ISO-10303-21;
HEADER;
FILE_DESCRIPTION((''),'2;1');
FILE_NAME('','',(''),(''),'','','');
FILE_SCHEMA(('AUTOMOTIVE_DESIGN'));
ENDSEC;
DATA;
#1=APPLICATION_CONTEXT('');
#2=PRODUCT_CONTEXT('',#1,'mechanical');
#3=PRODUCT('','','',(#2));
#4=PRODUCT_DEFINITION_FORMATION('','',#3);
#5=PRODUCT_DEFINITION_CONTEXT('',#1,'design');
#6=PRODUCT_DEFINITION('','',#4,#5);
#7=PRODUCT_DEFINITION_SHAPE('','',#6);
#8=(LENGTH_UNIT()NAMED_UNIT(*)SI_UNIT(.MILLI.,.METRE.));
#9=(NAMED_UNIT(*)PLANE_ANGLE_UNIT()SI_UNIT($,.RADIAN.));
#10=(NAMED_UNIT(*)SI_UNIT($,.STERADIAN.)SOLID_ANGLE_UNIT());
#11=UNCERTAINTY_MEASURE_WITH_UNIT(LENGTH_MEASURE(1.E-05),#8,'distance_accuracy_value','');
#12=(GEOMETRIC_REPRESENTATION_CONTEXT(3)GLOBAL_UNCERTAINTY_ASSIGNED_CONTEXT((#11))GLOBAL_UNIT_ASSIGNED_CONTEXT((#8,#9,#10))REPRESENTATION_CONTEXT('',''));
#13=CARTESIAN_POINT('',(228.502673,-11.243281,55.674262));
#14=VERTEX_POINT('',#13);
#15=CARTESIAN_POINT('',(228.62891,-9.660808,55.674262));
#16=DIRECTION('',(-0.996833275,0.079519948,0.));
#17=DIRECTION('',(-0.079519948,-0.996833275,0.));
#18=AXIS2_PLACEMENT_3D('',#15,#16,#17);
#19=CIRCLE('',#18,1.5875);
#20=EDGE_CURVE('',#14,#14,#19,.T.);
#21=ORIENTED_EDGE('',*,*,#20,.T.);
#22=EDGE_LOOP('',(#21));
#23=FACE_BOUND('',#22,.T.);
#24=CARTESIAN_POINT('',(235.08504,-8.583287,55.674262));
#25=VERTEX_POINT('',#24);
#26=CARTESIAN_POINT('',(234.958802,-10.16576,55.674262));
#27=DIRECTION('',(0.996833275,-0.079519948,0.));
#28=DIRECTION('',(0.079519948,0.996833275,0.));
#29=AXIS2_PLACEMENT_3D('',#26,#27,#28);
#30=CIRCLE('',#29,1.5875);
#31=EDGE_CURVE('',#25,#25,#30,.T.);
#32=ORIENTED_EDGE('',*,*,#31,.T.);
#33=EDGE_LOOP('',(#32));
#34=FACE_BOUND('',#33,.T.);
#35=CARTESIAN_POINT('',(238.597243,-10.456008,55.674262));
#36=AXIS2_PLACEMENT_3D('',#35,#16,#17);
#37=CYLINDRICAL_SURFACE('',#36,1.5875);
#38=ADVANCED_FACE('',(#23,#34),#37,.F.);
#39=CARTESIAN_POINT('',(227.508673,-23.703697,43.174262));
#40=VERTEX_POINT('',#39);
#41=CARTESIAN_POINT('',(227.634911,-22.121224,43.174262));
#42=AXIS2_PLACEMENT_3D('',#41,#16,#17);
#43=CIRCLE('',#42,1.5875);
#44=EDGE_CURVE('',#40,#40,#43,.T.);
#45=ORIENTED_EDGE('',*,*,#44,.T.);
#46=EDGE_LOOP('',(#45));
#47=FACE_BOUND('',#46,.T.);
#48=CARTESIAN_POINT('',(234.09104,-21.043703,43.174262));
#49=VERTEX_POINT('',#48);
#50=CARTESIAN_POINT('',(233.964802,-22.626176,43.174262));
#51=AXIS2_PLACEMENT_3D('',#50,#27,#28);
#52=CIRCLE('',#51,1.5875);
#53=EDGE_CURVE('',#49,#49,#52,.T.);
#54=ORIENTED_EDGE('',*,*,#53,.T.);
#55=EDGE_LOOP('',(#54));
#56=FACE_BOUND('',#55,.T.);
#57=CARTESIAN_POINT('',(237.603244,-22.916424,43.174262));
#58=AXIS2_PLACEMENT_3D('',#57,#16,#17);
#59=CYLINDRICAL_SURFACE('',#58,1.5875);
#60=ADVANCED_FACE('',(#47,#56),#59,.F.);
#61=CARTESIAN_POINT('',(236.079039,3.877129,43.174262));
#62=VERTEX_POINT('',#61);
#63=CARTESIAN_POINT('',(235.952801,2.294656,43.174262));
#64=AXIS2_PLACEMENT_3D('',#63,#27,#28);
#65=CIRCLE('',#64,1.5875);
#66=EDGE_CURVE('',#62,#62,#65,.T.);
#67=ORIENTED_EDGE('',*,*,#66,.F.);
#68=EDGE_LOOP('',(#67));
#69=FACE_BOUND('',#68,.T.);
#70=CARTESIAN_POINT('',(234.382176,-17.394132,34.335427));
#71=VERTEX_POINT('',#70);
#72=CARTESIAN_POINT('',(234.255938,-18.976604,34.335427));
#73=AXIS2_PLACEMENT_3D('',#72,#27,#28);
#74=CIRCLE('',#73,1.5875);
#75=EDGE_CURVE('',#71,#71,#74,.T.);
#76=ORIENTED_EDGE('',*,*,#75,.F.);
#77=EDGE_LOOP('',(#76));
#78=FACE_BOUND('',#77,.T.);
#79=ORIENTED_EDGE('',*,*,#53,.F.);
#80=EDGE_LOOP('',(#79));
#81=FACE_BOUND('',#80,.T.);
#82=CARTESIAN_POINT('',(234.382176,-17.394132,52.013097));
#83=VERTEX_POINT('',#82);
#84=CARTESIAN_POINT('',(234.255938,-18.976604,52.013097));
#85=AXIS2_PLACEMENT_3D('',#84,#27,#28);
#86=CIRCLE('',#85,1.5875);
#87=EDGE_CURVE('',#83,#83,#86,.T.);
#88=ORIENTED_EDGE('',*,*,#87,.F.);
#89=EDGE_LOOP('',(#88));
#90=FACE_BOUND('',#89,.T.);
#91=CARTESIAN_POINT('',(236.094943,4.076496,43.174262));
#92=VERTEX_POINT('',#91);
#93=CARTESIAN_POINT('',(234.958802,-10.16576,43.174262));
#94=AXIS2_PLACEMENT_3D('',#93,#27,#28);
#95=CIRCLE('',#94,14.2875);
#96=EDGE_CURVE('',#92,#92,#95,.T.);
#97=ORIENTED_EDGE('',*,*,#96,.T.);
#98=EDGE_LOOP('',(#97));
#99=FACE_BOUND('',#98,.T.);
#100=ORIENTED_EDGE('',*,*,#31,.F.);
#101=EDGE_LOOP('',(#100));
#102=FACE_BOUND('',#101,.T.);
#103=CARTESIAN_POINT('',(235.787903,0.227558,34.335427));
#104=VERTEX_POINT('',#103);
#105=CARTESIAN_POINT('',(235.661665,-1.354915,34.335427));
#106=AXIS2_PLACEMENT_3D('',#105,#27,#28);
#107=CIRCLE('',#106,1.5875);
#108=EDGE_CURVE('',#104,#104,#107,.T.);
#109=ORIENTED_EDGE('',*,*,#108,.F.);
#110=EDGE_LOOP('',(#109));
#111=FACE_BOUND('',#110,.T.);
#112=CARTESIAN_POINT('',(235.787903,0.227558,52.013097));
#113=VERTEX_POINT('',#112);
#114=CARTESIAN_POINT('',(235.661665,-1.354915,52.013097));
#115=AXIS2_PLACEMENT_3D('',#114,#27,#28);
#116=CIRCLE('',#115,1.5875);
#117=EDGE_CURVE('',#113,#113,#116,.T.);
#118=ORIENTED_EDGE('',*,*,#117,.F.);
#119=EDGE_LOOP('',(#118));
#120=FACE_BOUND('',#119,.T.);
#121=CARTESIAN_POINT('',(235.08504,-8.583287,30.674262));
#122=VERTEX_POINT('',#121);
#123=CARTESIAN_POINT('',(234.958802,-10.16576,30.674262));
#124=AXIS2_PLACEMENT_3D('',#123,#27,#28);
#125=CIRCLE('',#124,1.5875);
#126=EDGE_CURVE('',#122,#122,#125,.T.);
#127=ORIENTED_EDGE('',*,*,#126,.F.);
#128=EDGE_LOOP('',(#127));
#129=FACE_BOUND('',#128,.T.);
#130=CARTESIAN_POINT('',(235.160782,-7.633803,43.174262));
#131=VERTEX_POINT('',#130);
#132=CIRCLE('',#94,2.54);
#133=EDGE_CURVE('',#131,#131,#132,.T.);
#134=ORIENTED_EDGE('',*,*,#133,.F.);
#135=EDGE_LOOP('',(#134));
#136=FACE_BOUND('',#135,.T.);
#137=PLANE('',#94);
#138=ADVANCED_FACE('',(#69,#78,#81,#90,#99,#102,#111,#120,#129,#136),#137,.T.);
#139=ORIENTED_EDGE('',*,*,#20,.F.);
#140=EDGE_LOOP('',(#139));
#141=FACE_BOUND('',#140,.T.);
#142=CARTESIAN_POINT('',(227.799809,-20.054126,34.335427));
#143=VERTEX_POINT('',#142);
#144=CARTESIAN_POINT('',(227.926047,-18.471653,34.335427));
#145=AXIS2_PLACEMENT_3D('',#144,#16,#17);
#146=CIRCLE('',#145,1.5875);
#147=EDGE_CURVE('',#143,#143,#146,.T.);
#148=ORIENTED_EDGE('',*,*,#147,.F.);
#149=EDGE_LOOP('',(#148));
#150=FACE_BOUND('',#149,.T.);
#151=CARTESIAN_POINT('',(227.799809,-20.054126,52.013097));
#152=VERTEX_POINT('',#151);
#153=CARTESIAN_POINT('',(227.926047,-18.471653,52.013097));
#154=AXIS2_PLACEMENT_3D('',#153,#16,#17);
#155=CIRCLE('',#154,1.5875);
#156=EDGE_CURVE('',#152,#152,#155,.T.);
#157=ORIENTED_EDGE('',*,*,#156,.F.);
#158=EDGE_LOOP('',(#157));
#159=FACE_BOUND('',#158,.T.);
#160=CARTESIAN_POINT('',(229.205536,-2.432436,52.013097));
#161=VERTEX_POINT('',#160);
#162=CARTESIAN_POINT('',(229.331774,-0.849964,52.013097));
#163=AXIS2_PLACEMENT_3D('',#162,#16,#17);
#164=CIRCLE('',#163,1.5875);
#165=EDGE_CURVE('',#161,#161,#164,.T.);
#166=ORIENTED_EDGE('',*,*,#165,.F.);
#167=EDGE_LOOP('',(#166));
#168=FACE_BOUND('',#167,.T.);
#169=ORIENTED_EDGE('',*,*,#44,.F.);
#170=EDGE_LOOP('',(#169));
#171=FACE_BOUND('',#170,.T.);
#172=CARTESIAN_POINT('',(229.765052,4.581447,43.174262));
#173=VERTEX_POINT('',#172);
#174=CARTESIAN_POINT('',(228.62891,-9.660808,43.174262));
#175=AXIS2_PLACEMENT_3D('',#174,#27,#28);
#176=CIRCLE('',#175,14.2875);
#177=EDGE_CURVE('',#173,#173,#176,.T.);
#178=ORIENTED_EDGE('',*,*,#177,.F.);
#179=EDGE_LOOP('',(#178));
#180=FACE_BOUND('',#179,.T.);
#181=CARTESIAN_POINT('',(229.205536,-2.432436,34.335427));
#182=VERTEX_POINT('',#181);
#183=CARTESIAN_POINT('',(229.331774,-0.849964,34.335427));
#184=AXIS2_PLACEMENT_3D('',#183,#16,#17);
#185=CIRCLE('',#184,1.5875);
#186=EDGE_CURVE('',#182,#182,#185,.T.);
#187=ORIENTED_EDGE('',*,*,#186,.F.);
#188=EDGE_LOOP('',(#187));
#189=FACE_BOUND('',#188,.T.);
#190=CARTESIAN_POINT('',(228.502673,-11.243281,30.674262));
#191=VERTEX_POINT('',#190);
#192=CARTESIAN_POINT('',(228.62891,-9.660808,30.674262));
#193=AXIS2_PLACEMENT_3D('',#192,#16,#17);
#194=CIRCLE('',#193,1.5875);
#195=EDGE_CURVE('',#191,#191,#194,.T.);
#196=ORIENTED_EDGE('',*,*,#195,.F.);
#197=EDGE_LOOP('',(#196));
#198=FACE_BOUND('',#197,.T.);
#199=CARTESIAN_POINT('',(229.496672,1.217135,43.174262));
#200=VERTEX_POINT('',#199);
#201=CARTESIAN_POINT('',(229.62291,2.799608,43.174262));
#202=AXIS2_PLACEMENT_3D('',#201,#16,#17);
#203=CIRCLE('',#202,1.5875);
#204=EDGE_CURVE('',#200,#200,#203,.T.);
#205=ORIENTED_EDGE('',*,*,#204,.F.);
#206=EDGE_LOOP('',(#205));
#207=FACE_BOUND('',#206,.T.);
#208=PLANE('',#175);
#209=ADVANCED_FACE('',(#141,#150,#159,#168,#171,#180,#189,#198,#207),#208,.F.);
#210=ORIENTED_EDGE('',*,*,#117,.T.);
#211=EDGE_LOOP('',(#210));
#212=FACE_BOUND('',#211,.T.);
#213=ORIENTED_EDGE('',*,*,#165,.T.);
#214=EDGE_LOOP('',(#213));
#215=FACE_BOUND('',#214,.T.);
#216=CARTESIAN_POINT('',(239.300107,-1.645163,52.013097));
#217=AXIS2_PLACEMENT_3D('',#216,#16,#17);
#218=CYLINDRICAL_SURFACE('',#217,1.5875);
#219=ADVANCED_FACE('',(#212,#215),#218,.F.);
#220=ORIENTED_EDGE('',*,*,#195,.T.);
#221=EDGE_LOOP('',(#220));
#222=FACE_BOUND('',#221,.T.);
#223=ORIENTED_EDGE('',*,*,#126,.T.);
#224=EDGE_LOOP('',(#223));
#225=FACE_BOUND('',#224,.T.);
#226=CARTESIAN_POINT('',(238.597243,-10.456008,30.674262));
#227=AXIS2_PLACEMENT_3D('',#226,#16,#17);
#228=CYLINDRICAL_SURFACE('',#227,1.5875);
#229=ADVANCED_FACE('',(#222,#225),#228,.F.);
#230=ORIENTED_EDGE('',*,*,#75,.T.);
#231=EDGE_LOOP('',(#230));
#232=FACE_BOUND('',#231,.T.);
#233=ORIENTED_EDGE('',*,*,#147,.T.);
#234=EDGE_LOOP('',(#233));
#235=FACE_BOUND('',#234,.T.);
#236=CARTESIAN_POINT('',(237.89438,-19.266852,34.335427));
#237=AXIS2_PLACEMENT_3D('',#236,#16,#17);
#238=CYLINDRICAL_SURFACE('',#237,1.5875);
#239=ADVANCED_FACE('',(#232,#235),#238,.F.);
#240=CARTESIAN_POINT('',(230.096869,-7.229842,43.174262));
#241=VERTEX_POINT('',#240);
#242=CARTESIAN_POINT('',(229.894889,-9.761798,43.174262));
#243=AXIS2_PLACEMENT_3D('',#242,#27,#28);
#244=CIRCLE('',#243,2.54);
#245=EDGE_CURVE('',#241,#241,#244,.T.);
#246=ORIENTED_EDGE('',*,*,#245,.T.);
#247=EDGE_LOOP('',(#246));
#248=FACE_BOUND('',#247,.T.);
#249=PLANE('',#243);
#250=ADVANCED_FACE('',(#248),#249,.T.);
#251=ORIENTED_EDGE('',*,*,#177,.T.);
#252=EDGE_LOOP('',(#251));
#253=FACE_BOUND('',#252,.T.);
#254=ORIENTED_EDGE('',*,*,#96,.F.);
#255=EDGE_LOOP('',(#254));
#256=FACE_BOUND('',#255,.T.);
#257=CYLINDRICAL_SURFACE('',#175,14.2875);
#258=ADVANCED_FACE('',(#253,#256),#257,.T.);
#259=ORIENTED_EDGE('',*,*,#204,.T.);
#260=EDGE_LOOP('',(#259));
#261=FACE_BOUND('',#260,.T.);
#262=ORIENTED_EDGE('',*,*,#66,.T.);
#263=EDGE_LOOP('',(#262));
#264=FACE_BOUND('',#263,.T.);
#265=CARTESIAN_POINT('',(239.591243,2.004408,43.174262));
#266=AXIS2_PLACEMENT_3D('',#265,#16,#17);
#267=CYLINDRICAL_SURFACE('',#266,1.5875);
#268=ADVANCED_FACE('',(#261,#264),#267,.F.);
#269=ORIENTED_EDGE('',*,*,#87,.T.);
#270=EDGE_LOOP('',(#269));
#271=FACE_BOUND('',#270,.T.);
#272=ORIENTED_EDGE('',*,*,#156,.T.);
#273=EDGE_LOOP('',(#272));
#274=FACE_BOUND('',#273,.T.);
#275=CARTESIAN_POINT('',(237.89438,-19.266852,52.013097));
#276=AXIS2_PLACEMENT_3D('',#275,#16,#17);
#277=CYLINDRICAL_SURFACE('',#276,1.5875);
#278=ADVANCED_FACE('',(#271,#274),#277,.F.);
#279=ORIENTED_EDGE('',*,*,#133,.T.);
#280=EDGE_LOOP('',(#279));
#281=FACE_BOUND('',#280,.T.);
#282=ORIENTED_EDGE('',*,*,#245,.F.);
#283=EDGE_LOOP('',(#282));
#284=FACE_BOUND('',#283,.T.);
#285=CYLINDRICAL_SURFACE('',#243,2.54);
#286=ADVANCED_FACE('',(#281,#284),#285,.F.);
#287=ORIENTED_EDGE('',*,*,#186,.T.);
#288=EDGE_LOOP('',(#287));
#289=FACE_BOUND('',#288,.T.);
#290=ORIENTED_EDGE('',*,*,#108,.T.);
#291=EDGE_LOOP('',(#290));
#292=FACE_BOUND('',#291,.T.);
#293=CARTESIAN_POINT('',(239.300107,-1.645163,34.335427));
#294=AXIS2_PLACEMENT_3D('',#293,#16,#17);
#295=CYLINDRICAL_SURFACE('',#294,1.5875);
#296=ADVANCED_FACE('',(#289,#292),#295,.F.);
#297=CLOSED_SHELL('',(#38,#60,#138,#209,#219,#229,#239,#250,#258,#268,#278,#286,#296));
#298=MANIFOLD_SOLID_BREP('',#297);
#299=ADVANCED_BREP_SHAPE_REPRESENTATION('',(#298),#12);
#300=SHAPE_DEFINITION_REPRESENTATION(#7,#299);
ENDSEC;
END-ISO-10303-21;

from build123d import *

# Parameters (mm, degrees)
SKETCH1_R           = 14.2875
BOSS_EXTRUDE1_DEPTH = 6.35
SKETCH2_R           = 2.54
CUT_EXTRUDE1_DEPTH  = 5.08
SKETCH3_R           = 1.5875
CUT_EXTRUDE2_DEPTH  = 10


with BuildPart() as part:
    # Sketch1 → Boss-Extrude1 (new body)
    with BuildSketch(Plane(origin=(234.278878836, -18.689027227, 0), x_dir=(0, 0, -1), z_dir=(0.9968332748770866, -0.0795199477981641, 0))):
        with Locations(Location((-43.174261814, 8.550344032, 0), (0, 0, 90))):
            Circle(SKETCH1_R)
    extrude(amount=-BOSS_EXTRUDE1_DEPTH)

    # Sketch2 → Cut-Extrude1 (cut)
    with BuildSketch(Plane(origin=(234.278878836, -18.689027227, 0), x_dir=(0, 0, -1), z_dir=(0.9968332748770866, -0.07951994779816411, 0))):
        with Locations(Location((-43.174261814, 8.550344032, 0), (0, 0, 90))):
            Circle(SKETCH2_R)
    extrude(amount=-CUT_EXTRUDE1_DEPTH, mode=Mode.SUBTRACT)

    # Sketch3 → Cut-Extrude2 (cut)
    with BuildSketch(Plane(origin=(227.94898754, -18.184075559, 0), x_dir=(0, 0, 1), z_dir=(-0.9968332748770866, 0.07951994779816411, 0))):
        with Locations(Location((30.674261814, 8.550344032, 0), (0, 0, 270))):
            Circle(SKETCH3_R)
        with Locations(Location((43.174261814, 21.050344032, 0), (0, 0, 270))):
            Circle(SKETCH3_R)
        with Locations(Location((52.013096579, 17.389178797, 0), (0, 0, 270))):
            Circle(SKETCH3_R)
        with Locations(Location((55.674261814, 8.550344032, 0), (0, 0, 270))):
            Circle(SKETCH3_R)
        with Locations(Location((52.013096579, -0.288490733, 0), (0, 0, 270))):
            Circle(SKETCH3_R)
        with Locations(Location((43.174261814, -3.949655968, 0), (0, 0, 270))):
            Circle(SKETCH3_R)
        with Locations(Location((34.33542705, -0.288490733, 0), (0, 0, 270))):
            Circle(SKETCH3_R)
        with Locations(Location((34.33542705, 17.389178797, 0), (0, 0, 270))):
            Circle(SKETCH3_R)
    extrude(amount=-CUT_EXTRUDE2_DEPTH, mode=Mode.SUBTRACT)


solid = part.part
